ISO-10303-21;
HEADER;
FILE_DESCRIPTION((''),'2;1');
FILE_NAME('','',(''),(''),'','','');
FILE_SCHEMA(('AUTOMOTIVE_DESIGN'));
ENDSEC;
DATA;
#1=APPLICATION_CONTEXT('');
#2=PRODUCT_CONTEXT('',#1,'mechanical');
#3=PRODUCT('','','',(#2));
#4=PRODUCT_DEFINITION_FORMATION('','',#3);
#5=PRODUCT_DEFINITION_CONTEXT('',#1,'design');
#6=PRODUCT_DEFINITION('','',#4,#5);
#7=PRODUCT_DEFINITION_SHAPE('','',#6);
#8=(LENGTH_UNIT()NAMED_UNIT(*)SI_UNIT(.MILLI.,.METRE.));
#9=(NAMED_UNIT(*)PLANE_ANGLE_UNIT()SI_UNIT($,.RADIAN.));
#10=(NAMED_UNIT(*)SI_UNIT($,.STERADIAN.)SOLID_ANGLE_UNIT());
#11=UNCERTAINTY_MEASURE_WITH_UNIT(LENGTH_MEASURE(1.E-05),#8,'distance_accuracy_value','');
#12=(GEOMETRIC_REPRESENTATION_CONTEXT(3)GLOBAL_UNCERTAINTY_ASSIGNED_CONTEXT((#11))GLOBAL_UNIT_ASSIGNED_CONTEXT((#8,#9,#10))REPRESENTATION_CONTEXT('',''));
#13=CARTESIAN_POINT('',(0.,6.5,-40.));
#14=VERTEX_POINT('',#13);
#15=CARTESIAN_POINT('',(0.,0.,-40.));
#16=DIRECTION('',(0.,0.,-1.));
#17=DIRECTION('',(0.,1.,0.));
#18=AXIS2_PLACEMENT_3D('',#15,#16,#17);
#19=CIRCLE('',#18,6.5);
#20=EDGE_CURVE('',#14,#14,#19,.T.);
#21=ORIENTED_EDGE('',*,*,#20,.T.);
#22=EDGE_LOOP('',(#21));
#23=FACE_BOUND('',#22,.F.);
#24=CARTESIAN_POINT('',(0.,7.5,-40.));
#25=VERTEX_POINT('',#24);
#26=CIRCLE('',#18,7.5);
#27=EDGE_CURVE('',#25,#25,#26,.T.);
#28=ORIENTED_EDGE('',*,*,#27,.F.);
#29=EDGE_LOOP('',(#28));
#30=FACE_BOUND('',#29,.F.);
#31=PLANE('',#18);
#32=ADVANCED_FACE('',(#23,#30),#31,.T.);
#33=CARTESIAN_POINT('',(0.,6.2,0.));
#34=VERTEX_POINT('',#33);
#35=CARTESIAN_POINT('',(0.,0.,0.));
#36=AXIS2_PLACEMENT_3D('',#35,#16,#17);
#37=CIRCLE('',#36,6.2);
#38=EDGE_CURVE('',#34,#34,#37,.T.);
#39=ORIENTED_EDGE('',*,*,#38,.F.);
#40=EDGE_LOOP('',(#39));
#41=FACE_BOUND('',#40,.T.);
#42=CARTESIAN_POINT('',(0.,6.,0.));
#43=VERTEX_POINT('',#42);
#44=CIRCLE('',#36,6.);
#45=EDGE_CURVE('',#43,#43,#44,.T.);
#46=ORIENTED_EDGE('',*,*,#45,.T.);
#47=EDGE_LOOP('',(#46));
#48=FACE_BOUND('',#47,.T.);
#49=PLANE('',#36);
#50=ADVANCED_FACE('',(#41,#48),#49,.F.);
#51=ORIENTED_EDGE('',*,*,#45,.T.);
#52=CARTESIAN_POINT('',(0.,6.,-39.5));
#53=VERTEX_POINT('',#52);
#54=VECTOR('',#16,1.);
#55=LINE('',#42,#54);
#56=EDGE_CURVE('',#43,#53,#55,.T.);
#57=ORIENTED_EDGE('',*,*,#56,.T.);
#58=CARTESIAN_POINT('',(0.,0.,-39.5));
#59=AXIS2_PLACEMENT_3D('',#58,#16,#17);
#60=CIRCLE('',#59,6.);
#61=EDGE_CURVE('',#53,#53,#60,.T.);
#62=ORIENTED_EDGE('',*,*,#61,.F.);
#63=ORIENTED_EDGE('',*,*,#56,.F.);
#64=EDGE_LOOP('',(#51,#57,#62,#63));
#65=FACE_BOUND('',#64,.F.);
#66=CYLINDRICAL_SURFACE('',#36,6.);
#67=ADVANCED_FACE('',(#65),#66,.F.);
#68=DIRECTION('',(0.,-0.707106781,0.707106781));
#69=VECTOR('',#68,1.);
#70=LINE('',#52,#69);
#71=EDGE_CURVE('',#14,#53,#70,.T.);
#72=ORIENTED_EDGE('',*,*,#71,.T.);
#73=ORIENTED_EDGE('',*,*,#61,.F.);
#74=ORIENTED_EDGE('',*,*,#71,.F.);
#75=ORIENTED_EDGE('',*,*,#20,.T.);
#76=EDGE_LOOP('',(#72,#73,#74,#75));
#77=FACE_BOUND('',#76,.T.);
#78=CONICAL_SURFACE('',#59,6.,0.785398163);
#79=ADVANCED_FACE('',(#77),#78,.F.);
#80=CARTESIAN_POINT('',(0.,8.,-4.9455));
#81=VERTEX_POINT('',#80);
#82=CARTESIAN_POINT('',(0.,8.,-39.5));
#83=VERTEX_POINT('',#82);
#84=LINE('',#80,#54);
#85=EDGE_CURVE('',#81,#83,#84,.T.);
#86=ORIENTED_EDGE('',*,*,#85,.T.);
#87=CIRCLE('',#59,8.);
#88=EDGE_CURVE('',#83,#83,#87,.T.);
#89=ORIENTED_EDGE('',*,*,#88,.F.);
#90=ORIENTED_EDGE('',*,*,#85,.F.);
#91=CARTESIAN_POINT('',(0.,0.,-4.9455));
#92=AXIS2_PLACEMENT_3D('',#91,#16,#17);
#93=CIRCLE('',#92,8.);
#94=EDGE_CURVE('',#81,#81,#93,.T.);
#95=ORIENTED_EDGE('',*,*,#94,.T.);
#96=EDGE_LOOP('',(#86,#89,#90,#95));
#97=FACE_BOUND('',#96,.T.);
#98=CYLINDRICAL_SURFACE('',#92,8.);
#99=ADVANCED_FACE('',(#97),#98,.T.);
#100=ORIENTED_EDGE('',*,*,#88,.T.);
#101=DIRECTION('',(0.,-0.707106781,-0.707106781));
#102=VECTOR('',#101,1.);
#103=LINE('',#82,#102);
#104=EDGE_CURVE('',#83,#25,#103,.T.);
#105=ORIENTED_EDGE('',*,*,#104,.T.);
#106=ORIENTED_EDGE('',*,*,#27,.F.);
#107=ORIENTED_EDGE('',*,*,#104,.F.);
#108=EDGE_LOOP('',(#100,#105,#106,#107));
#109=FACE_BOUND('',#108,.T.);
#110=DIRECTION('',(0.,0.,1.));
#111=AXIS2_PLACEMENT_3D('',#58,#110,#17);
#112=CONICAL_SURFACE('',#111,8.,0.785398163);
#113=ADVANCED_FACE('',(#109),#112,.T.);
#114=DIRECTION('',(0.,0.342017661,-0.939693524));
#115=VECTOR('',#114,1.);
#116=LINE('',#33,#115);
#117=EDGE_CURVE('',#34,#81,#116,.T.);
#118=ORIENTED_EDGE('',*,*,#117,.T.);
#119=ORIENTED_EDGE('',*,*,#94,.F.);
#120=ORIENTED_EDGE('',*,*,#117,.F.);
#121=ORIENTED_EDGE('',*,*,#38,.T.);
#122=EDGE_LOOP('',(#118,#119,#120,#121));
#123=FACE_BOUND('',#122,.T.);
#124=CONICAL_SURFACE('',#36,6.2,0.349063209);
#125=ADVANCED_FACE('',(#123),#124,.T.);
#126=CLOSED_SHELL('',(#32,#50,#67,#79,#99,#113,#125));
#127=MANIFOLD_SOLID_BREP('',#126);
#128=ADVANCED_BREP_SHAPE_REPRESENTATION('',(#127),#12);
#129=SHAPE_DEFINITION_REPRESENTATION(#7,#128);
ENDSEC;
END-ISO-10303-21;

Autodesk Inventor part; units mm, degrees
ref_plane "YZ Plane" through (0, 0, 0) normal (1, 0, 0) x (0, 1, 0)
ref_plane "XZ Plane" through (0, 0, 0) normal (0, 1, 0) x (-1, 0, 0)
ref_plane "XY Plane" through (0, 0, 0) normal (0, 0, 1) x (1, 0, 0)
sketch "Esquisse1" plane through (0, 0, 0) normal (1, 0, 0) x (0, 1, 0)
  line L0 (0, 0) -> (0, -21.1525)
  line L1 (6, 0) -> (6, -40)
  line L2 (6.2, 0) -> (8, -4.9455)
  line L3 (8, -4.9455) -> (8, -40)
  line L4 (6, -40) -> (8, -40)
  line L5 (6, 0) -> (6.2, 0)
  dimension "d0" = 160
  dimension "d2" = 16
  dimension "d4" = 40
  dimension "d6" = 2
  dimension "d7" = 0.2
revolve "Révolution1" add sketch "Esquisse1" angle 360 about axis through (0, 0, 0) along (0, 0, -1)
chamfer "Chanfrein1" distance 0.5 angle 45 2 edges at (0, -6, -40) (0, -8, -40)
properties part number "douille" material "Aluminium 6061"
